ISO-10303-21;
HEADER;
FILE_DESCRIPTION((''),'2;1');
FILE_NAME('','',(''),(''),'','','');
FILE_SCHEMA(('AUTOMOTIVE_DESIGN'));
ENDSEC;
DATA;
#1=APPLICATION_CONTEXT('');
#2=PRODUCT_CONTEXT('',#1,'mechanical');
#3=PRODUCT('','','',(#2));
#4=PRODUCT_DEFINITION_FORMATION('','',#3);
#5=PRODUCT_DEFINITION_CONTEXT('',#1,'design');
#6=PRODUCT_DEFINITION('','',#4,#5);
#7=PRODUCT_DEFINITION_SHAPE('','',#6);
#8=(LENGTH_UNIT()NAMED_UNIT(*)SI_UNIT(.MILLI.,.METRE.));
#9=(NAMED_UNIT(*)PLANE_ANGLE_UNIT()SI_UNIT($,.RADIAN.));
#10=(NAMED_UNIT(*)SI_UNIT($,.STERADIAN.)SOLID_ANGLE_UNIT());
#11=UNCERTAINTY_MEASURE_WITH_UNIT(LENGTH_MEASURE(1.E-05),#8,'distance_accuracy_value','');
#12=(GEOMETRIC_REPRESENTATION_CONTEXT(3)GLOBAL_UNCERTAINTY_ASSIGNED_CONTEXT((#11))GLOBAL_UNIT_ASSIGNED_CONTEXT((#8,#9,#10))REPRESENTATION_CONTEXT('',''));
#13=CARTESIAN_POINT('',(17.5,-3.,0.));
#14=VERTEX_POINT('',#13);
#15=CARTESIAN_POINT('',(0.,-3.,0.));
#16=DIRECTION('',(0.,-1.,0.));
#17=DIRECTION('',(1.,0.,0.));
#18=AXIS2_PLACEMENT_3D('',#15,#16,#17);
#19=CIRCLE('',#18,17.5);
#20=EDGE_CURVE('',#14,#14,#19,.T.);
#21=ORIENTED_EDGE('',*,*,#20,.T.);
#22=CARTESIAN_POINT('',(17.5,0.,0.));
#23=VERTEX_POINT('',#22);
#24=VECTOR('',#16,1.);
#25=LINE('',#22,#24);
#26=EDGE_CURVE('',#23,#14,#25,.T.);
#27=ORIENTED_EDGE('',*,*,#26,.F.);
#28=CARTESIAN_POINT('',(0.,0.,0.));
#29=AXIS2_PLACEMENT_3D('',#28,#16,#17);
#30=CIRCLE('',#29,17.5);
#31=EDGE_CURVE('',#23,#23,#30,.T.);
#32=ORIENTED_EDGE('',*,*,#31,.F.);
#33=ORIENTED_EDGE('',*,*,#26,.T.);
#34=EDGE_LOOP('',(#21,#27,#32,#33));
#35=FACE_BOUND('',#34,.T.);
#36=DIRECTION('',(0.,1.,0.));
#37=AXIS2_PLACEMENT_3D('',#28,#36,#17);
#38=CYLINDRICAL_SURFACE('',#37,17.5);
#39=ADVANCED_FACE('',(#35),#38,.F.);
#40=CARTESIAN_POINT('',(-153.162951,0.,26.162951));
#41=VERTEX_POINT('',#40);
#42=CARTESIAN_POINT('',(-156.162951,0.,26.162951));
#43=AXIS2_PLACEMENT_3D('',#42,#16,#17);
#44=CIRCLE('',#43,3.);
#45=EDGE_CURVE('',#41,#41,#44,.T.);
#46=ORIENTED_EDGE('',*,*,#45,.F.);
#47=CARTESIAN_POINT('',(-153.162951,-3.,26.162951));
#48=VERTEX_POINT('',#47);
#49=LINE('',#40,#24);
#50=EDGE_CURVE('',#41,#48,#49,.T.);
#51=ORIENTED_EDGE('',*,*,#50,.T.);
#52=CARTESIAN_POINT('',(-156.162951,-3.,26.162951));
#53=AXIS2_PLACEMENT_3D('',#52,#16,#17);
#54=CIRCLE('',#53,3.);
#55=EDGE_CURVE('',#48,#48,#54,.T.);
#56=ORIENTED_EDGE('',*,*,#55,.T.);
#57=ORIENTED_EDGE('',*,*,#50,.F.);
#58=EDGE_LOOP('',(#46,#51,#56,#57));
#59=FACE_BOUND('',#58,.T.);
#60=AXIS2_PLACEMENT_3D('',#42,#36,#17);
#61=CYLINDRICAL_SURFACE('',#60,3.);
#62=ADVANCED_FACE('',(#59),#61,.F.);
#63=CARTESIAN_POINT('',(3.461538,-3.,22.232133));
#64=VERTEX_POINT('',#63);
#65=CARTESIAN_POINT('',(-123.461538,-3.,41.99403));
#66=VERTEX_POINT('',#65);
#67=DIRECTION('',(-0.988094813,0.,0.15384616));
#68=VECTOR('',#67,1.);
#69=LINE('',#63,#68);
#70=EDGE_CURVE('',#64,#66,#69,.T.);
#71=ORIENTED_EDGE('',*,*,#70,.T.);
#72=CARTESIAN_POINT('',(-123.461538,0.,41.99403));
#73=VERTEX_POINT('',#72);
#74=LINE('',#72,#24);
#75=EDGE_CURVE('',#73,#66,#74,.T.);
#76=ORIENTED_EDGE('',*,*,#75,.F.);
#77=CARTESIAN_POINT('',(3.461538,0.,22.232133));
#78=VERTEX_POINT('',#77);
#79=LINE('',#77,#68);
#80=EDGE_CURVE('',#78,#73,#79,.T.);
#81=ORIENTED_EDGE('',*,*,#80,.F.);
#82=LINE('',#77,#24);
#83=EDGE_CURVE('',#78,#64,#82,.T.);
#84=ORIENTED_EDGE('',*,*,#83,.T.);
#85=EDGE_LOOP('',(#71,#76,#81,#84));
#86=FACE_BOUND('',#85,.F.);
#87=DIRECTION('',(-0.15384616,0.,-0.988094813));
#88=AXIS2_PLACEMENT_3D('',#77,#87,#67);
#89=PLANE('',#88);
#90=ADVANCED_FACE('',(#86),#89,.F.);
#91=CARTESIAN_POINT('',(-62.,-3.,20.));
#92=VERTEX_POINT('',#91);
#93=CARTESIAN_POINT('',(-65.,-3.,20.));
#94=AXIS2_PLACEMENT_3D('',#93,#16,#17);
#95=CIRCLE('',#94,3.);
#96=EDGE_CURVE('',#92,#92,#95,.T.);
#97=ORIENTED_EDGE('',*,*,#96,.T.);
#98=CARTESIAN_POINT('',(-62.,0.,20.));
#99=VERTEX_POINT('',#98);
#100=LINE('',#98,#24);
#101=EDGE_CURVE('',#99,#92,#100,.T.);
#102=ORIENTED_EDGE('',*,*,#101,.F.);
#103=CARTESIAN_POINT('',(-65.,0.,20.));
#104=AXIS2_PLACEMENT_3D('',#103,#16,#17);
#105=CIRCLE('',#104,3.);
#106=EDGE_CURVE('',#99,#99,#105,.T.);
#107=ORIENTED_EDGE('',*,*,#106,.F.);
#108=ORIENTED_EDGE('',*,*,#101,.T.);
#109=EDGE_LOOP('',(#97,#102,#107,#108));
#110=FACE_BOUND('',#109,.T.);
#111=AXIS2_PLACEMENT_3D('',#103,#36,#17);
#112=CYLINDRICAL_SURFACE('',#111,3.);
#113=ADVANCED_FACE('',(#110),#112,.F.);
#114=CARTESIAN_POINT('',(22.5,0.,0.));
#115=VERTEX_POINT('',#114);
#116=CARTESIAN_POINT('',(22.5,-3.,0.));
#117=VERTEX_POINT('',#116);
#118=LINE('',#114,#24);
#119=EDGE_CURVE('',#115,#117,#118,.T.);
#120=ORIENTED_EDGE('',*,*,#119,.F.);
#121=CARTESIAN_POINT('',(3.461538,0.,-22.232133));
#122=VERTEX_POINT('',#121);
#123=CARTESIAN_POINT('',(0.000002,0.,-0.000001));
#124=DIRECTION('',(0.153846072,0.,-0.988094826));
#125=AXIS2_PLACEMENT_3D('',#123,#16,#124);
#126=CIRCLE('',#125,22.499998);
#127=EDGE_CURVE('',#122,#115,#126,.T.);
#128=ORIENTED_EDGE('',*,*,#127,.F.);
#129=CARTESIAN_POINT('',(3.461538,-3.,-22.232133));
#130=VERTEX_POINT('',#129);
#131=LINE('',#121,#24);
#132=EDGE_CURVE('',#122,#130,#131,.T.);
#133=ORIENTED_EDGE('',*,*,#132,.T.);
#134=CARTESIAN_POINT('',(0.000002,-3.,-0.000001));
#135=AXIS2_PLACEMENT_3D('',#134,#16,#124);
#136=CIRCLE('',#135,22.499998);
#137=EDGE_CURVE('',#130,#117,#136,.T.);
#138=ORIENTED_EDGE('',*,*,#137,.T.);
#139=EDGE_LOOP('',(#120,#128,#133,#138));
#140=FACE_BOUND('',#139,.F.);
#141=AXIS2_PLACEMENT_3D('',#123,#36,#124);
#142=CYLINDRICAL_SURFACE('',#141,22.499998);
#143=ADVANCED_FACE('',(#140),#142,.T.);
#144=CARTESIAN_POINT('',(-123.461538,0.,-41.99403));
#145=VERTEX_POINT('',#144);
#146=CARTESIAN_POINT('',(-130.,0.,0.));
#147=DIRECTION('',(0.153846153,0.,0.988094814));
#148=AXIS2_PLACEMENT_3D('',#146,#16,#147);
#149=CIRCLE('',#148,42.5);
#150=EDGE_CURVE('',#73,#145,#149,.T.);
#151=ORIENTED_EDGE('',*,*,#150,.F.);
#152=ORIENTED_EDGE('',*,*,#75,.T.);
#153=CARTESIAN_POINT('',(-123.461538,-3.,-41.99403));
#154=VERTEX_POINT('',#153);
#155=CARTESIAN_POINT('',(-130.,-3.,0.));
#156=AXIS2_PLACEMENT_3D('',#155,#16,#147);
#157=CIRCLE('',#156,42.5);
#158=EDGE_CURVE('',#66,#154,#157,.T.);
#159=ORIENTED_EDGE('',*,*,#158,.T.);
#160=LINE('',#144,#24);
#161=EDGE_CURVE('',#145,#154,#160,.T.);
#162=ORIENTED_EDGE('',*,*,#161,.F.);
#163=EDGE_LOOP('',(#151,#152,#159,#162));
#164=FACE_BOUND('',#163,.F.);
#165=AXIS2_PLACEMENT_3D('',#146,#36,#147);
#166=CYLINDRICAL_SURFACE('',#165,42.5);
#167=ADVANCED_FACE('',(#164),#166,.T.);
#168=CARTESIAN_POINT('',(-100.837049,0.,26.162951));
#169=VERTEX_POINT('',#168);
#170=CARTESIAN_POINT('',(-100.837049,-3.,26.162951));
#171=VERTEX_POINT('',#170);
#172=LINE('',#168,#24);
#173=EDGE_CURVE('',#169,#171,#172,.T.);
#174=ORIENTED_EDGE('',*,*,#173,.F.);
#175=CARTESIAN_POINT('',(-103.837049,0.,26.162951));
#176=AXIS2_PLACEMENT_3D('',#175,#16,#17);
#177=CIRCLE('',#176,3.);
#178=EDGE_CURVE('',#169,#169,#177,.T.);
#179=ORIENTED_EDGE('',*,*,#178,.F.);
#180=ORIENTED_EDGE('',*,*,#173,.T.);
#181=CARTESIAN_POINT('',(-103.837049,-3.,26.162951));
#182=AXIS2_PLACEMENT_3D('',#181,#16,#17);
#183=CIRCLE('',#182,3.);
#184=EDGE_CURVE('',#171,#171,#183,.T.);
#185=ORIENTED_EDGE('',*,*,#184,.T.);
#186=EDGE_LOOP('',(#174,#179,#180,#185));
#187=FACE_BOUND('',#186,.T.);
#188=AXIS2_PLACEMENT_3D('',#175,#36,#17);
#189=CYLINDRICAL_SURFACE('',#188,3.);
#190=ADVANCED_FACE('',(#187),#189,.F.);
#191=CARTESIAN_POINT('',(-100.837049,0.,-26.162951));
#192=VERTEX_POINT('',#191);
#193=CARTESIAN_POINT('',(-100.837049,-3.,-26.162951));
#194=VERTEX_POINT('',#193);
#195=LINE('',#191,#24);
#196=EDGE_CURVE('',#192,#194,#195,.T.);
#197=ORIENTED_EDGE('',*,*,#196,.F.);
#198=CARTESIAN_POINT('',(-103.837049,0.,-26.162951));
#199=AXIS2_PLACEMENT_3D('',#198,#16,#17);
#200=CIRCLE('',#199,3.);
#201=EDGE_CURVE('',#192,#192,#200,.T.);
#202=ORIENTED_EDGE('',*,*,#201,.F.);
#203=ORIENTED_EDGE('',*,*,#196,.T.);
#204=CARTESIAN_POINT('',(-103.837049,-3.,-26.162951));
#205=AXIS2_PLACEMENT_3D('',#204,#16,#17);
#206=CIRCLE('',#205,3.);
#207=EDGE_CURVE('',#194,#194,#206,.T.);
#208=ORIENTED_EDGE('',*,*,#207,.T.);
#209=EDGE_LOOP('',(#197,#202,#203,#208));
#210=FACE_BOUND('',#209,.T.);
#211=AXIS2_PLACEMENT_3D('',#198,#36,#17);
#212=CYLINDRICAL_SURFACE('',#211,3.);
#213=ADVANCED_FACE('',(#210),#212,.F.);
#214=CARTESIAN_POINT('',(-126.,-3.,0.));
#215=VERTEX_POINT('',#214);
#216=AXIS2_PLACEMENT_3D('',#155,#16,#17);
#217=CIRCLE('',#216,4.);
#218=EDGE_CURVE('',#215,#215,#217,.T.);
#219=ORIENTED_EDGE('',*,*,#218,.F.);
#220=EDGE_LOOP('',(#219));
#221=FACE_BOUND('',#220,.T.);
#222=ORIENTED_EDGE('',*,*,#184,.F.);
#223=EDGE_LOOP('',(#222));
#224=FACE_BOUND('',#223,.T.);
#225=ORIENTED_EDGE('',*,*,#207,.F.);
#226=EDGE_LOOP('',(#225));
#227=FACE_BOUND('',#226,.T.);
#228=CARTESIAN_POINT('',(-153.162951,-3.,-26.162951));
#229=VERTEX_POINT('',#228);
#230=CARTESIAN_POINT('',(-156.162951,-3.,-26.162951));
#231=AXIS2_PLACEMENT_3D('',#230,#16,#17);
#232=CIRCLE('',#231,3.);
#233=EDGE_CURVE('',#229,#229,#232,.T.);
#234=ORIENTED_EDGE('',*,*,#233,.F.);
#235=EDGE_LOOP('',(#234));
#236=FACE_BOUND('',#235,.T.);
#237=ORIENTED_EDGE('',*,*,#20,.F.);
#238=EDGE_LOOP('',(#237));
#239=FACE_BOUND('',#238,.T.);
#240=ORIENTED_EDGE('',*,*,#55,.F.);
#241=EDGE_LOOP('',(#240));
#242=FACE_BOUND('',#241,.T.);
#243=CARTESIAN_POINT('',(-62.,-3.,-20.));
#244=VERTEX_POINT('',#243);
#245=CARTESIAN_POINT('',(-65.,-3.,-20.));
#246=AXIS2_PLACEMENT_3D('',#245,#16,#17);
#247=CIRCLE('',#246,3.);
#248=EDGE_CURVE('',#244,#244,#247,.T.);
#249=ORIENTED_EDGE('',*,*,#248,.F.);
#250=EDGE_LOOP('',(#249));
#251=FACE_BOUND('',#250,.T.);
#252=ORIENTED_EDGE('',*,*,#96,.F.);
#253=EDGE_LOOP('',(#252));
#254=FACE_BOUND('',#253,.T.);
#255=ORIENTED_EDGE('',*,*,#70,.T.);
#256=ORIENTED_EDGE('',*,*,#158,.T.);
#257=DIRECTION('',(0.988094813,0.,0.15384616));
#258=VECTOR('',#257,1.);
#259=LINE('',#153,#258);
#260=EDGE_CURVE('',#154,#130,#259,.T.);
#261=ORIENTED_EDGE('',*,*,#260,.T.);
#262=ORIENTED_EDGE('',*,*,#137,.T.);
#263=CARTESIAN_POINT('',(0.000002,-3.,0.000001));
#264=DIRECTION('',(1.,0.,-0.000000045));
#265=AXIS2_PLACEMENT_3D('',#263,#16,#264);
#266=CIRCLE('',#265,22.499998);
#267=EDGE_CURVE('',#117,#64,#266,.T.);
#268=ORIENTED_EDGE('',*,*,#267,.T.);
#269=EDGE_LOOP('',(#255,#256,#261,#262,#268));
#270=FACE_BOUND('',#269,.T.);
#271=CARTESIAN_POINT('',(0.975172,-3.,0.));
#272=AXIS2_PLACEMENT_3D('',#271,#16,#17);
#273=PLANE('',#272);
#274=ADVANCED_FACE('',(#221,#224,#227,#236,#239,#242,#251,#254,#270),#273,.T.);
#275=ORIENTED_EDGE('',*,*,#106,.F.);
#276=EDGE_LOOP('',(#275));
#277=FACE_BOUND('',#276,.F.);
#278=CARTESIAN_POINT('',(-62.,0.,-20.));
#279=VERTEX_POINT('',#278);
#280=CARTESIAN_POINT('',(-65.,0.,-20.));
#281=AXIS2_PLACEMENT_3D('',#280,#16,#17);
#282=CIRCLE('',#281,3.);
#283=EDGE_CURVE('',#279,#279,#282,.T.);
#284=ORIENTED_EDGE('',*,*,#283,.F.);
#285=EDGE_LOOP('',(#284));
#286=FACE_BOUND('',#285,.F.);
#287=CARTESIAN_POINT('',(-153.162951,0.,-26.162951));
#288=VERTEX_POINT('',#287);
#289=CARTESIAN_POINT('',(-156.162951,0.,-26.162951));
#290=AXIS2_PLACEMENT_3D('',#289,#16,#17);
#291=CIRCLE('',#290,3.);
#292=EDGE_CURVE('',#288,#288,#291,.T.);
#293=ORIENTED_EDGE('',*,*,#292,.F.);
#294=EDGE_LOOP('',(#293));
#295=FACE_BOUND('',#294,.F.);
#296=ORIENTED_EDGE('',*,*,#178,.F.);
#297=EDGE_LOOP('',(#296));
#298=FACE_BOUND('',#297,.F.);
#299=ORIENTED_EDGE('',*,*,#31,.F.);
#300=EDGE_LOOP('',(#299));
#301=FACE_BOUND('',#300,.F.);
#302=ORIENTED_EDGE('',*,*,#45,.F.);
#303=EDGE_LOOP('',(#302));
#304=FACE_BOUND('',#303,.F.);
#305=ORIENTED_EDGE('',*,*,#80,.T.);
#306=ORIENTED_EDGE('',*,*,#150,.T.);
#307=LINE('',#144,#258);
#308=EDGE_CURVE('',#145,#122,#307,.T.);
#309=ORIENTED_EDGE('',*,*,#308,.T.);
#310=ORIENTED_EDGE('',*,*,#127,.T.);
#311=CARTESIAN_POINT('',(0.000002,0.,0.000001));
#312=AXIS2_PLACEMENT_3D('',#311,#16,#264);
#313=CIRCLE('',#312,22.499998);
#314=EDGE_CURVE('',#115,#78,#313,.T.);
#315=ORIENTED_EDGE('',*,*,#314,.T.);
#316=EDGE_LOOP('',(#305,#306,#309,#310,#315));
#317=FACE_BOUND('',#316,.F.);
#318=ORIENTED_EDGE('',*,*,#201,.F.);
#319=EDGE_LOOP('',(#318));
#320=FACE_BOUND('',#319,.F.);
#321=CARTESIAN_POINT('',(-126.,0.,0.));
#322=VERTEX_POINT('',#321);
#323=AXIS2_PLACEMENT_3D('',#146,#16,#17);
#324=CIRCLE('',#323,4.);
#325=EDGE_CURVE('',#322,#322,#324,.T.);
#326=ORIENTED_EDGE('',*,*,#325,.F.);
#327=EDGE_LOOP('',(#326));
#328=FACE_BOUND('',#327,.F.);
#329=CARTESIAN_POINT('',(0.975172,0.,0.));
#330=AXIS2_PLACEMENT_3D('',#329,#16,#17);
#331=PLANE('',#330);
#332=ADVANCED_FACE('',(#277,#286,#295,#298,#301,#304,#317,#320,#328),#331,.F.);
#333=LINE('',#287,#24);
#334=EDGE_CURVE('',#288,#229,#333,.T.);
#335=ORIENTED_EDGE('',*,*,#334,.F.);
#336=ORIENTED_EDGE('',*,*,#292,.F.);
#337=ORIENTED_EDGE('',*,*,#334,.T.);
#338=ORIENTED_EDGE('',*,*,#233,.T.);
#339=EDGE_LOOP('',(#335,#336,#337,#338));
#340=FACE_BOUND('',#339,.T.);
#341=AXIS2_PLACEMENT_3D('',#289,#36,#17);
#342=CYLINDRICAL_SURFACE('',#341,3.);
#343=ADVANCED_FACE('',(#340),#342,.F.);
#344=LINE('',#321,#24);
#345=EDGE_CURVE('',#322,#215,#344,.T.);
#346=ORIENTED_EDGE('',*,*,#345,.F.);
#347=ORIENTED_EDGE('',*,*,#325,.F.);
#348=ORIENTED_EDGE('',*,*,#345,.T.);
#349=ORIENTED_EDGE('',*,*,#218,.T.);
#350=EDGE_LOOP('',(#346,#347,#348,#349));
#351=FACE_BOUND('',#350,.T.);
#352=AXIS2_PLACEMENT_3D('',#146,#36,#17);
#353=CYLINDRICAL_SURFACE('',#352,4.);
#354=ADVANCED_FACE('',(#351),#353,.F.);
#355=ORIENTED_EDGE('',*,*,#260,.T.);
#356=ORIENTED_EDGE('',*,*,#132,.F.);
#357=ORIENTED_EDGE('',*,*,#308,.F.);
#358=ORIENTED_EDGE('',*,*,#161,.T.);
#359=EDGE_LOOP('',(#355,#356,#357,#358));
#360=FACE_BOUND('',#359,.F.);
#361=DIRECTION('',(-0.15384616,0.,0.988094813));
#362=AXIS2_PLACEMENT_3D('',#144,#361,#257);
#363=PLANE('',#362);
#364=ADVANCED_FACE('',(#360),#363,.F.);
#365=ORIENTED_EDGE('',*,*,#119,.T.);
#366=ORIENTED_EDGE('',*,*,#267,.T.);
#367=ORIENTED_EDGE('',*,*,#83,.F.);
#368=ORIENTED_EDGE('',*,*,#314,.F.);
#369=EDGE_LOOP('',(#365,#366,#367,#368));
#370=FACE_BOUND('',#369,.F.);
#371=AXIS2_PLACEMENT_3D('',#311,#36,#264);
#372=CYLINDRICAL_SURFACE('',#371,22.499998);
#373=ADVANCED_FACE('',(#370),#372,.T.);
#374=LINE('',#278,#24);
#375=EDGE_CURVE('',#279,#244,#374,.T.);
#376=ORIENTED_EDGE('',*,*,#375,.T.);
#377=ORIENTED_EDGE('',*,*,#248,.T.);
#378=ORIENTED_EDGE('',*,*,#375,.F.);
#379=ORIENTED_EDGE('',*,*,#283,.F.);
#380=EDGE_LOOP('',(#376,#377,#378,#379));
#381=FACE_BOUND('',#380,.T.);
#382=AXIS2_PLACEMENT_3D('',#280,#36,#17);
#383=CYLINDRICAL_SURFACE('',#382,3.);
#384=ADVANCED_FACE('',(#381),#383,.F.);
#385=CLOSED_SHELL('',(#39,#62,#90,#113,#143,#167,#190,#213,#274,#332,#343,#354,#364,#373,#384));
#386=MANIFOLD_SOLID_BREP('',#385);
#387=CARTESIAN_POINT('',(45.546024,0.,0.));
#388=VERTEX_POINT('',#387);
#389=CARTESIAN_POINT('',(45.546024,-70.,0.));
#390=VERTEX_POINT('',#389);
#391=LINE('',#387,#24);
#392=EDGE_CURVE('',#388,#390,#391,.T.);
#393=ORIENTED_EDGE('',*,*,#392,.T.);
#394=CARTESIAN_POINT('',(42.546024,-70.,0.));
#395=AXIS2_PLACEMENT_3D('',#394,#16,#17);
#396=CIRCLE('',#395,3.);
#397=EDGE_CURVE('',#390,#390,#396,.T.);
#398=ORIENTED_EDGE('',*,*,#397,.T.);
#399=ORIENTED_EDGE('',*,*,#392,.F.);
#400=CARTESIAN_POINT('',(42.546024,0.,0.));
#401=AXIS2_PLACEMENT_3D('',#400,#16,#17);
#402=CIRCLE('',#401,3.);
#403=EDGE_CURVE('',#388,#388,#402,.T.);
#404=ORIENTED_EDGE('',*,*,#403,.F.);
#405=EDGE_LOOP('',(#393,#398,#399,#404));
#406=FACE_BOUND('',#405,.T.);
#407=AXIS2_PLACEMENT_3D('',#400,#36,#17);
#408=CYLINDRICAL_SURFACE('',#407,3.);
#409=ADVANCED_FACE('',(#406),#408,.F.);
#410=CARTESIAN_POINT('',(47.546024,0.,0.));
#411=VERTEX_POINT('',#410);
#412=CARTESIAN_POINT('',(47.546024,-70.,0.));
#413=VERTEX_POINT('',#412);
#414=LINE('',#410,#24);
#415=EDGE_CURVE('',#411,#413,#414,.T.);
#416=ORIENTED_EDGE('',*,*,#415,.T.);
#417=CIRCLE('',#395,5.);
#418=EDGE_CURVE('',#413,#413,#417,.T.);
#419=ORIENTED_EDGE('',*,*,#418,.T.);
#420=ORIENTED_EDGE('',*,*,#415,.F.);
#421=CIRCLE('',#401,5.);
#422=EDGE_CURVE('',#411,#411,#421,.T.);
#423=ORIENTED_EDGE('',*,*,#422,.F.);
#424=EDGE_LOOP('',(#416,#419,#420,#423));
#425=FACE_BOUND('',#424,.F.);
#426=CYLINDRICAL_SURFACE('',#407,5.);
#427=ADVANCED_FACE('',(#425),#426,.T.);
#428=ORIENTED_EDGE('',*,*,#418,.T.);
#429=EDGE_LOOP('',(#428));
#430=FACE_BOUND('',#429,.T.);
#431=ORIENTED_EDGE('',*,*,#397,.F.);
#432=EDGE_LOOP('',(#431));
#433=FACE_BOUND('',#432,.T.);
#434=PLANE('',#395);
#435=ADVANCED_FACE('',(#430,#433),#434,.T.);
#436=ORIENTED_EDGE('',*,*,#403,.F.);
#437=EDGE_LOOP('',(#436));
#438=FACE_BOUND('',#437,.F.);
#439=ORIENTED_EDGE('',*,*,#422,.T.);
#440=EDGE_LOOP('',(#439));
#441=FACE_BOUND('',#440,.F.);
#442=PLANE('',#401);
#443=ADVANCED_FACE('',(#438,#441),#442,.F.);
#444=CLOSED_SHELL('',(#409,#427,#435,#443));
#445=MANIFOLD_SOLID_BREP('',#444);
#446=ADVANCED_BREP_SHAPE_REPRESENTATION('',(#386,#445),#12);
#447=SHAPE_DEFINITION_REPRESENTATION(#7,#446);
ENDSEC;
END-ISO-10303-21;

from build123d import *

# Parameters (mm, degrees)
F0_R     = 17.5
F0_R_2   = 3
F0_R_3   = 4
F1_DEPTH = 3
F2_R     = 5
F2_R_2   = 3
F3_DEPTH = 70


with BuildPart() as f1:
    # F0 (on Front) → F1 (new body)
    with BuildSketch(Plane.XZ):
        with BuildLine():
            ThreePointArc((3.461538, -22.232133), (17.089977, -14.634982), (22.5, 0))
            ThreePointArc((22.5, 0), (17.089977, 14.634982), (3.461538, 22.232133))
            ThreePointArc((3.461538, 22.232133), (-22.5, 0), (3.461538, -22.232133))
        make_face()
        Circle(F0_R, mode=Mode.SUBTRACT)
        with BuildLine():
            ThreePointArc((3.461538, -22.232133), (-22.5, 0), (3.461538, 22.232133))
            Line((3.461538, 22.232133), (-123.461538, 41.99403))
            ThreePointArc((-123.461538, 41.99403), (-97.718933, 27.643855), (-87.5, 0))
            ThreePointArc((-87.5, 0), (-97.718933, -27.643855), (-123.461538, -41.99403))
            Line((-123.461538, -41.99403), (3.461538, -22.232133))
        make_face()
        with Locations((-65, -20)):
            Circle(F0_R_2, mode=Mode.SUBTRACT)
        with Locations((-65, 20)):
            Circle(F0_R_2, mode=Mode.SUBTRACT)
        with BuildLine():
            ThreePointArc((-87.5, 0), (-97.718933, 27.643855), (-123.461538, 41.99403))
            ThreePointArc((-123.461538, 41.99403), (-172.5, 0), (-123.461538, -41.99403))
            ThreePointArc((-123.461538, -41.99403), (-97.718933, -27.643855), (-87.5, 0))
        make_face()
        with Locations((-156.162951, -26.162951)):
            Circle(F0_R_2, mode=Mode.SUBTRACT)
        with Locations((-103.837049, -26.162951)):
            Circle(F0_R_2, mode=Mode.SUBTRACT)
        with Locations((-130, 0)):
            Circle(F0_R_3, mode=Mode.SUBTRACT)
        with Locations((-156.162951, 26.162951)):
            Circle(F0_R_2, mode=Mode.SUBTRACT)
        with Locations((-103.837049, 26.162951)):
            Circle(F0_R_2, mode=Mode.SUBTRACT)
    extrude(amount=F1_DEPTH)


with BuildPart() as f3:
    # F2 (on Front) → F3 (new body)
    with BuildSketch(Plane.XZ):
        with Locations((42.546024, 0)):
            Circle(F2_R)
        with Locations((42.546024, 0)):
            Circle(F2_R_2, mode=Mode.SUBTRACT)
    extrude(amount=F3_DEPTH)


solid = Compound([f1.part, f3.part])
